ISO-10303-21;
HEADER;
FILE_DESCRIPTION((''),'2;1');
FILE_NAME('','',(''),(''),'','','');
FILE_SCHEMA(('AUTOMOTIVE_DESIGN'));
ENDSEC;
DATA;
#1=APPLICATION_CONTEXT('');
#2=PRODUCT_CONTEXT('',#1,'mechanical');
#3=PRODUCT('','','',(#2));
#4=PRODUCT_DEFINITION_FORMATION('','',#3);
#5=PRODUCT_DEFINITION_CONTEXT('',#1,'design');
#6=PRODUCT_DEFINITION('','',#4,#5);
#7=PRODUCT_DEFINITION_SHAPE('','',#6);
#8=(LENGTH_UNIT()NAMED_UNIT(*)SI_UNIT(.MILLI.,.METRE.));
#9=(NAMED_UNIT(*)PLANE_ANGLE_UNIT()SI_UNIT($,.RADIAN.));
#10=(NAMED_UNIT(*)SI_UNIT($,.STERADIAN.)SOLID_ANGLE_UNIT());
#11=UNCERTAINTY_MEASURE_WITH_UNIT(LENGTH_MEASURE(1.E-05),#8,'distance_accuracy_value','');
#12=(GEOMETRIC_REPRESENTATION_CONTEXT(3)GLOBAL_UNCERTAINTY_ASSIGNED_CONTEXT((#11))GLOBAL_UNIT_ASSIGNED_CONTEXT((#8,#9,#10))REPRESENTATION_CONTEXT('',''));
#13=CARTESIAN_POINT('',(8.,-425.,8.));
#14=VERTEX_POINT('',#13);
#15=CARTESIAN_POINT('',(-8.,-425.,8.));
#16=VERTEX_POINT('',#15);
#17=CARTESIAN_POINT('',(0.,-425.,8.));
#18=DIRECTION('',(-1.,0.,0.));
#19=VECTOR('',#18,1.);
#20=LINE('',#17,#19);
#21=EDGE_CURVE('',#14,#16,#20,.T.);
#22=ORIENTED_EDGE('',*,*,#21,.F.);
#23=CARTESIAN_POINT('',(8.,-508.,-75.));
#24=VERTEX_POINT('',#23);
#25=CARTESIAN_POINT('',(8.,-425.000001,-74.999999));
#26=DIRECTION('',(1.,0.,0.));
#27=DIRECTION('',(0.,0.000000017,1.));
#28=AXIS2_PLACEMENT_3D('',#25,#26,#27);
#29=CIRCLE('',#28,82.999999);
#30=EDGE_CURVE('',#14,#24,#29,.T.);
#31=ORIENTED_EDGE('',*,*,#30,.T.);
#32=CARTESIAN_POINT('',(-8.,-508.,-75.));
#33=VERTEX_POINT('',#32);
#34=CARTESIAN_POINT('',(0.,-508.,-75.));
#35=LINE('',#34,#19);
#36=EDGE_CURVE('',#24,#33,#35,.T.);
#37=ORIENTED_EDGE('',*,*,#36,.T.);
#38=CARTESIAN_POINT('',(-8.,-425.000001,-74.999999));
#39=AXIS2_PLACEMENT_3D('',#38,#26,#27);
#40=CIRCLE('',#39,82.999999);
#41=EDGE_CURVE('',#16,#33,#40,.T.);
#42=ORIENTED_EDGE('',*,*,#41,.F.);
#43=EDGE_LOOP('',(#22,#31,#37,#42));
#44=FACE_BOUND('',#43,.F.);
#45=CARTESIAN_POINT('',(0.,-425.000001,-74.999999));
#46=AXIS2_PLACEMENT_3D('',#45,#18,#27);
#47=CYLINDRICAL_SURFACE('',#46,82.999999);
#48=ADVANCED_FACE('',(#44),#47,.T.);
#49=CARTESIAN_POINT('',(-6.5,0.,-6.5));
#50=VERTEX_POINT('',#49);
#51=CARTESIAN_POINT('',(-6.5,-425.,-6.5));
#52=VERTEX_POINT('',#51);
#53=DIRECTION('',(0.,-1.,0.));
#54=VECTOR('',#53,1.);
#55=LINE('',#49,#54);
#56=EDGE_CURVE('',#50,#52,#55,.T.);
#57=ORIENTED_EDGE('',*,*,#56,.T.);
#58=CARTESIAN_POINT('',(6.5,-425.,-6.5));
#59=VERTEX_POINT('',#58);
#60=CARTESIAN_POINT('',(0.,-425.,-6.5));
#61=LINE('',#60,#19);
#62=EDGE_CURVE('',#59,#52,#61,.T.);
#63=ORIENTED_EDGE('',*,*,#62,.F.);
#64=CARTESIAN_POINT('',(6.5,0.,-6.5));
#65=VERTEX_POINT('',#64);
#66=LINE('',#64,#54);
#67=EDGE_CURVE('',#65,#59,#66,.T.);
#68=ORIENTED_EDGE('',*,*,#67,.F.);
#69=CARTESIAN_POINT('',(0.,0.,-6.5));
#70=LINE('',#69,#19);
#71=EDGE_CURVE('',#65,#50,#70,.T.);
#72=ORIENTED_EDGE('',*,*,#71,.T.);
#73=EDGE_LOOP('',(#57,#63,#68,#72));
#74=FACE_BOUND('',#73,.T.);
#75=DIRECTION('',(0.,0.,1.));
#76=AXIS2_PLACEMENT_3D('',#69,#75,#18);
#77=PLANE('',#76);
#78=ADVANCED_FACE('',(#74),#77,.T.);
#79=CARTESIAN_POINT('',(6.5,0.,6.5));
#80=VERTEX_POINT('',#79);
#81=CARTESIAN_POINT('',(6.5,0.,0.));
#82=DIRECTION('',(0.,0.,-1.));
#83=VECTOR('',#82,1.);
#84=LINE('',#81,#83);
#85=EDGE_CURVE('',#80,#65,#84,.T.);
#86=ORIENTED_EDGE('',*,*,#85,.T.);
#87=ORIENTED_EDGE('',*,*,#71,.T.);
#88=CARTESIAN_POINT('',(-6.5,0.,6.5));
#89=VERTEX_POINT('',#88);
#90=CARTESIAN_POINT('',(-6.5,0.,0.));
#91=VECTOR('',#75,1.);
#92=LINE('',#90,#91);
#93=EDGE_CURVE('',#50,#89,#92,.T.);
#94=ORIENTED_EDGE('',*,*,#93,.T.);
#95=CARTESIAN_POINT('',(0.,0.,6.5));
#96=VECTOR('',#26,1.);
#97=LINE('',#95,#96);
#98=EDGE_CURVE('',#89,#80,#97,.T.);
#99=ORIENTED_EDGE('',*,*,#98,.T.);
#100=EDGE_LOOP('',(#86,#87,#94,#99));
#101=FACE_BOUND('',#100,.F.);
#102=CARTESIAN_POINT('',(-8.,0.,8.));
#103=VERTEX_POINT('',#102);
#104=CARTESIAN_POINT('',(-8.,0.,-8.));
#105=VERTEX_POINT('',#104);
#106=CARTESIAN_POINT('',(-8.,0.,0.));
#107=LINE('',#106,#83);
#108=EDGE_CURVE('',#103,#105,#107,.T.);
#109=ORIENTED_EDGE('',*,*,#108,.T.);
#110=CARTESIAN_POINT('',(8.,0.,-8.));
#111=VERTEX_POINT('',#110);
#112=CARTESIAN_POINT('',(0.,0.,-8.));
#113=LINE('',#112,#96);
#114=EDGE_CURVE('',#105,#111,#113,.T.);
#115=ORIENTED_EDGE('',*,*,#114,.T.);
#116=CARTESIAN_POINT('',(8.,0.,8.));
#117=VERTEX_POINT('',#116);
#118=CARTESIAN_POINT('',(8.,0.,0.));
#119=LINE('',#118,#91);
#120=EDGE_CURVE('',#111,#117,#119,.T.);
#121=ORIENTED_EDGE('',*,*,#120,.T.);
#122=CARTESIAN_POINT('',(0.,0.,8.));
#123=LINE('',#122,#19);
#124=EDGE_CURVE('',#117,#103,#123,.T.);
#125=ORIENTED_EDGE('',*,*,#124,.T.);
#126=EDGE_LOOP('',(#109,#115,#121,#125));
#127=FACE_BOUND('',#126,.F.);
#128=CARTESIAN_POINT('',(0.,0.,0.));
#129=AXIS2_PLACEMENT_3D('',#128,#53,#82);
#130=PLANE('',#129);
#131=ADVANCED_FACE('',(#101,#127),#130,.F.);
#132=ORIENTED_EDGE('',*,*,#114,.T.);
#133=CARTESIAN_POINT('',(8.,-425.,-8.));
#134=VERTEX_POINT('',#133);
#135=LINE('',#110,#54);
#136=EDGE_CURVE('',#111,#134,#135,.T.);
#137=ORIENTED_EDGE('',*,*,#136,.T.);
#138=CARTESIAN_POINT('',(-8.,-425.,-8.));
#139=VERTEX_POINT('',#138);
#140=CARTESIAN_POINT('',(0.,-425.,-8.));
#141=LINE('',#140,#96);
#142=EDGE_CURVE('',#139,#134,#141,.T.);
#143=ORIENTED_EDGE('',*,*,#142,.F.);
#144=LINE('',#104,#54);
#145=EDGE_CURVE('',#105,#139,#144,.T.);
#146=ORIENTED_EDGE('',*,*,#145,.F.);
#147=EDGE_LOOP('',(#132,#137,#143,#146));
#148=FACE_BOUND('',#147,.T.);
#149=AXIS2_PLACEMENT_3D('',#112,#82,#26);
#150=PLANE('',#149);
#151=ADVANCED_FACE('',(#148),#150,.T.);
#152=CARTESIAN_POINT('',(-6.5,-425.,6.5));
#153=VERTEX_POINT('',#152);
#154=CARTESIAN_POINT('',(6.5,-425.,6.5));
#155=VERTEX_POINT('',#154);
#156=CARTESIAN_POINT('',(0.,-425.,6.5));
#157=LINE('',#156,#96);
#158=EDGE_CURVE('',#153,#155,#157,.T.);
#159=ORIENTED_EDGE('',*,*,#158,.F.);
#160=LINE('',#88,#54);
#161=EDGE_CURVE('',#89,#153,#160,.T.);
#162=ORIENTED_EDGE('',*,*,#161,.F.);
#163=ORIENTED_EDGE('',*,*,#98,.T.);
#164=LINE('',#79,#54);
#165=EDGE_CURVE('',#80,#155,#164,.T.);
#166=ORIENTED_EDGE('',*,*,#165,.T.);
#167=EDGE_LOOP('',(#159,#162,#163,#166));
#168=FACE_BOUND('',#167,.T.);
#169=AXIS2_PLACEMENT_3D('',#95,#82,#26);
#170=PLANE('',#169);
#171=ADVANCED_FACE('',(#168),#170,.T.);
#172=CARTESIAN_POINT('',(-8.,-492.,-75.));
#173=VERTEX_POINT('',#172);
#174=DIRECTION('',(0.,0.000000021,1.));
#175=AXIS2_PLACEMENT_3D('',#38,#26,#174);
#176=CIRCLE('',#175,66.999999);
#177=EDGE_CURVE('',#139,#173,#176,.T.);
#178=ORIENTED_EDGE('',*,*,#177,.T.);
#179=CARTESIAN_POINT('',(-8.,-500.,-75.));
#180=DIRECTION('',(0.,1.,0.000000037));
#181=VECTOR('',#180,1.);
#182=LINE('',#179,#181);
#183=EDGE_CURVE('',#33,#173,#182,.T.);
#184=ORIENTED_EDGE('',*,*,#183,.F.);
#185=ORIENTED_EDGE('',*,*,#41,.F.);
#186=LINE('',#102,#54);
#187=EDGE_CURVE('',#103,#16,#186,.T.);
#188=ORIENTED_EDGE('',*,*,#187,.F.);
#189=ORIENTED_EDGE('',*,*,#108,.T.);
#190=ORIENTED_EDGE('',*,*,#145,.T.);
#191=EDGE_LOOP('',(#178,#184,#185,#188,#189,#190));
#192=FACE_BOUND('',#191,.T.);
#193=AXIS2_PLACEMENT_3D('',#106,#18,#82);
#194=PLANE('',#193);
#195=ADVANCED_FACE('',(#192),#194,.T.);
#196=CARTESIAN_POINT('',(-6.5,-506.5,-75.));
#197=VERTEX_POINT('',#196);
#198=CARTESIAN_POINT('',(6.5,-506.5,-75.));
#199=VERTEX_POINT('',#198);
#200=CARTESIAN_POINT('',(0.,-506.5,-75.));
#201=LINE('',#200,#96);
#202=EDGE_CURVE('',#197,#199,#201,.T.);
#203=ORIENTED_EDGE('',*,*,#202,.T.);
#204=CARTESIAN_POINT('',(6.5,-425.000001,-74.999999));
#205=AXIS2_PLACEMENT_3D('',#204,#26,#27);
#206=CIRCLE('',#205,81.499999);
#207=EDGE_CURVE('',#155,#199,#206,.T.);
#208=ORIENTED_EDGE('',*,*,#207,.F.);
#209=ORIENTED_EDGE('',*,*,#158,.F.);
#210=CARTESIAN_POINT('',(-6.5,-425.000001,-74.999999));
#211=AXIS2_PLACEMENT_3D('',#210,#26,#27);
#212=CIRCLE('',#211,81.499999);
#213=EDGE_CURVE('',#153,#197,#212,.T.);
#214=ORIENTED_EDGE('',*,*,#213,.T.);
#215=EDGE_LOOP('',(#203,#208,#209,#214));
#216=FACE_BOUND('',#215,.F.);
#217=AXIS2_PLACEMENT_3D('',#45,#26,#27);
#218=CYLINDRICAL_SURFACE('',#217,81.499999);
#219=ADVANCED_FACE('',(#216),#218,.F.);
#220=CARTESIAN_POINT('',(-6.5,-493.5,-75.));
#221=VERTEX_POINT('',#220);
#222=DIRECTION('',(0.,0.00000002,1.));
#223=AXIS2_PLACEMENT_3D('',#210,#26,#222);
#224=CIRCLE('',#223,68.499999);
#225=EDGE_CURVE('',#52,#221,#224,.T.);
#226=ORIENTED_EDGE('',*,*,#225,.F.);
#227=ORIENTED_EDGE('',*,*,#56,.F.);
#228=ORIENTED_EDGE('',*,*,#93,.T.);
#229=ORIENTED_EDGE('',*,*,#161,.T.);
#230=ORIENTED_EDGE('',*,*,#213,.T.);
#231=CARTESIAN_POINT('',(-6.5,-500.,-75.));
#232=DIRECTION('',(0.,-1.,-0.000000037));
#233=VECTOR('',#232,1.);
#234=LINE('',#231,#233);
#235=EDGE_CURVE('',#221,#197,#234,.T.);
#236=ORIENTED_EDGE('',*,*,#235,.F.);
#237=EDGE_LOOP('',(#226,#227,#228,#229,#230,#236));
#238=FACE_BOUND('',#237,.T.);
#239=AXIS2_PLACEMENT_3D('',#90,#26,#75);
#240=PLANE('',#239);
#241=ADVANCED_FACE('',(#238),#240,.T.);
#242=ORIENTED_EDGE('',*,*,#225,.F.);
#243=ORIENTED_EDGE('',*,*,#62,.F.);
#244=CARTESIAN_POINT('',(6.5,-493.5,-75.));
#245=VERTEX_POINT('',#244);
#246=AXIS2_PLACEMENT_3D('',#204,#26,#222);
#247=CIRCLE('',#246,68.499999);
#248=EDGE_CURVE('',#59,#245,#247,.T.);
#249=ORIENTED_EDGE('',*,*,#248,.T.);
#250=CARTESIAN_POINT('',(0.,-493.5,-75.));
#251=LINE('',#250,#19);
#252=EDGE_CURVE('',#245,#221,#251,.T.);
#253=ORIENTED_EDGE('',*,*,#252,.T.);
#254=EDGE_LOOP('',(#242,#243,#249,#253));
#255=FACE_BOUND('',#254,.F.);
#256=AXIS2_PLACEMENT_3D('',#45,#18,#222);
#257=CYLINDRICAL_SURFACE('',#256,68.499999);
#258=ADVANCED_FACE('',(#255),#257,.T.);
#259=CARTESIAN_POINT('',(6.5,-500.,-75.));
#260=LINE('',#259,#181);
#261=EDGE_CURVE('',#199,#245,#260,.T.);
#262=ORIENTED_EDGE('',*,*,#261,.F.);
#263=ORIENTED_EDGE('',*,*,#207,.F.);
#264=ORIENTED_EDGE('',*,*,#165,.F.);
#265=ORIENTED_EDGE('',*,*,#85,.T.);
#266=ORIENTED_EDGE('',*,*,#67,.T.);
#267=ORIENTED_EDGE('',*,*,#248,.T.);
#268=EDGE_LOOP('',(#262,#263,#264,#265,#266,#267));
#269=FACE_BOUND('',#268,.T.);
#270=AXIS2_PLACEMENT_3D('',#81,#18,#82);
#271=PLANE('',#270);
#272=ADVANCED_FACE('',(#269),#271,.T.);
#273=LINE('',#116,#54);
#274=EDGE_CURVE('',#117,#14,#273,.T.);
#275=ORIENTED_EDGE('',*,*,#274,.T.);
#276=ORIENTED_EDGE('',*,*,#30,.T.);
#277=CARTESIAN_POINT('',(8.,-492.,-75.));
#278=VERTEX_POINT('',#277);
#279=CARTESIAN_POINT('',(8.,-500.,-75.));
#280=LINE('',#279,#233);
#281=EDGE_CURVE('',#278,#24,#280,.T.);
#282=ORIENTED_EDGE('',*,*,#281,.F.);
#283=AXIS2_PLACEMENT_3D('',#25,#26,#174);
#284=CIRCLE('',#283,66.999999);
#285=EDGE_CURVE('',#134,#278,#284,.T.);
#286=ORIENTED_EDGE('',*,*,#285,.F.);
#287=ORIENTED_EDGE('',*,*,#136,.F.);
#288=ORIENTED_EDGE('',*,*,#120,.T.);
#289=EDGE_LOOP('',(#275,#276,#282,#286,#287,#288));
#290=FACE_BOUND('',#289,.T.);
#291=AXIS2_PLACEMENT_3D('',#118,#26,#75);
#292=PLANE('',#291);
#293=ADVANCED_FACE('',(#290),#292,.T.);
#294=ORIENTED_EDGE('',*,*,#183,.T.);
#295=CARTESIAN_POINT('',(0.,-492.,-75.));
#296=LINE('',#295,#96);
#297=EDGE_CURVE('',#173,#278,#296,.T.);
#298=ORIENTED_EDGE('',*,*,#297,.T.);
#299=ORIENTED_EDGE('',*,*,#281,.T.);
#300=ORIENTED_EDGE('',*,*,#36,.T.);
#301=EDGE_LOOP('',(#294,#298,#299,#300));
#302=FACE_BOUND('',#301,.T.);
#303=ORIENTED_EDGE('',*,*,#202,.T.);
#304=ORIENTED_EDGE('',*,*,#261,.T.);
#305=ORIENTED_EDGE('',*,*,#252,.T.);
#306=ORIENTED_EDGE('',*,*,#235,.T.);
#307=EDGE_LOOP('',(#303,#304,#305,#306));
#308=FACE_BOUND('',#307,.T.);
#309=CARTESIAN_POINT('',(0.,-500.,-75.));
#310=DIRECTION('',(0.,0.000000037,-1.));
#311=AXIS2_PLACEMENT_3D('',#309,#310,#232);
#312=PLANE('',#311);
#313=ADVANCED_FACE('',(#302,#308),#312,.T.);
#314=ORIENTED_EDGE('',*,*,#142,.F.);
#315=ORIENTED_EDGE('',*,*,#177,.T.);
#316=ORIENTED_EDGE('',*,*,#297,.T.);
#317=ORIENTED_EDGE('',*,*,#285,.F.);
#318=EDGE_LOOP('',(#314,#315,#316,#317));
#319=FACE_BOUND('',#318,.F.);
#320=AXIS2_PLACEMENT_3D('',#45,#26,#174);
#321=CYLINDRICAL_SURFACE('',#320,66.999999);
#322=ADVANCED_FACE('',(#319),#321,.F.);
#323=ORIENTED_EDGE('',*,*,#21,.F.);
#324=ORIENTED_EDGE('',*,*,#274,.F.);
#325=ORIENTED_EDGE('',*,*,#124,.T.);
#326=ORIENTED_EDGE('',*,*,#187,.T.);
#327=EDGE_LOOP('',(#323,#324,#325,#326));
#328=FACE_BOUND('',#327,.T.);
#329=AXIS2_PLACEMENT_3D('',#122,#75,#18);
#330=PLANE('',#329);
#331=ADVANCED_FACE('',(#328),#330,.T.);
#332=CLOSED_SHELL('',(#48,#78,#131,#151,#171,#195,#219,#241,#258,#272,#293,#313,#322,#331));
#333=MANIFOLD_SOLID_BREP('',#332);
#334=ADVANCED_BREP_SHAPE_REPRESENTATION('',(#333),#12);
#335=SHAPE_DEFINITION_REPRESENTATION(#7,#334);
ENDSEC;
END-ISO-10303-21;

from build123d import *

# Parameters (mm, degrees)
F0_W   = 16
F0_H   = 16
F0_W_2 = 13
F0_H_2 = 13


with BuildPart() as f2:
    # F2: sweep along a path in F1
    with BuildLine(Plane.YZ) as f2_path:
        Line((0, 0), (-425, 0))
        ThreePointArc((-425, 0), (-478.033009, -21.966991), (-500, -75))
    # F0 (on Front) → F2 (sweep)
    with BuildSketch(Plane.XZ):
        Rectangle(F0_W, F0_H)
        Rectangle(F0_W_2, F0_H_2, mode=Mode.SUBTRACT)
    sweep(path=f2_path.line)


solid = f2.part
